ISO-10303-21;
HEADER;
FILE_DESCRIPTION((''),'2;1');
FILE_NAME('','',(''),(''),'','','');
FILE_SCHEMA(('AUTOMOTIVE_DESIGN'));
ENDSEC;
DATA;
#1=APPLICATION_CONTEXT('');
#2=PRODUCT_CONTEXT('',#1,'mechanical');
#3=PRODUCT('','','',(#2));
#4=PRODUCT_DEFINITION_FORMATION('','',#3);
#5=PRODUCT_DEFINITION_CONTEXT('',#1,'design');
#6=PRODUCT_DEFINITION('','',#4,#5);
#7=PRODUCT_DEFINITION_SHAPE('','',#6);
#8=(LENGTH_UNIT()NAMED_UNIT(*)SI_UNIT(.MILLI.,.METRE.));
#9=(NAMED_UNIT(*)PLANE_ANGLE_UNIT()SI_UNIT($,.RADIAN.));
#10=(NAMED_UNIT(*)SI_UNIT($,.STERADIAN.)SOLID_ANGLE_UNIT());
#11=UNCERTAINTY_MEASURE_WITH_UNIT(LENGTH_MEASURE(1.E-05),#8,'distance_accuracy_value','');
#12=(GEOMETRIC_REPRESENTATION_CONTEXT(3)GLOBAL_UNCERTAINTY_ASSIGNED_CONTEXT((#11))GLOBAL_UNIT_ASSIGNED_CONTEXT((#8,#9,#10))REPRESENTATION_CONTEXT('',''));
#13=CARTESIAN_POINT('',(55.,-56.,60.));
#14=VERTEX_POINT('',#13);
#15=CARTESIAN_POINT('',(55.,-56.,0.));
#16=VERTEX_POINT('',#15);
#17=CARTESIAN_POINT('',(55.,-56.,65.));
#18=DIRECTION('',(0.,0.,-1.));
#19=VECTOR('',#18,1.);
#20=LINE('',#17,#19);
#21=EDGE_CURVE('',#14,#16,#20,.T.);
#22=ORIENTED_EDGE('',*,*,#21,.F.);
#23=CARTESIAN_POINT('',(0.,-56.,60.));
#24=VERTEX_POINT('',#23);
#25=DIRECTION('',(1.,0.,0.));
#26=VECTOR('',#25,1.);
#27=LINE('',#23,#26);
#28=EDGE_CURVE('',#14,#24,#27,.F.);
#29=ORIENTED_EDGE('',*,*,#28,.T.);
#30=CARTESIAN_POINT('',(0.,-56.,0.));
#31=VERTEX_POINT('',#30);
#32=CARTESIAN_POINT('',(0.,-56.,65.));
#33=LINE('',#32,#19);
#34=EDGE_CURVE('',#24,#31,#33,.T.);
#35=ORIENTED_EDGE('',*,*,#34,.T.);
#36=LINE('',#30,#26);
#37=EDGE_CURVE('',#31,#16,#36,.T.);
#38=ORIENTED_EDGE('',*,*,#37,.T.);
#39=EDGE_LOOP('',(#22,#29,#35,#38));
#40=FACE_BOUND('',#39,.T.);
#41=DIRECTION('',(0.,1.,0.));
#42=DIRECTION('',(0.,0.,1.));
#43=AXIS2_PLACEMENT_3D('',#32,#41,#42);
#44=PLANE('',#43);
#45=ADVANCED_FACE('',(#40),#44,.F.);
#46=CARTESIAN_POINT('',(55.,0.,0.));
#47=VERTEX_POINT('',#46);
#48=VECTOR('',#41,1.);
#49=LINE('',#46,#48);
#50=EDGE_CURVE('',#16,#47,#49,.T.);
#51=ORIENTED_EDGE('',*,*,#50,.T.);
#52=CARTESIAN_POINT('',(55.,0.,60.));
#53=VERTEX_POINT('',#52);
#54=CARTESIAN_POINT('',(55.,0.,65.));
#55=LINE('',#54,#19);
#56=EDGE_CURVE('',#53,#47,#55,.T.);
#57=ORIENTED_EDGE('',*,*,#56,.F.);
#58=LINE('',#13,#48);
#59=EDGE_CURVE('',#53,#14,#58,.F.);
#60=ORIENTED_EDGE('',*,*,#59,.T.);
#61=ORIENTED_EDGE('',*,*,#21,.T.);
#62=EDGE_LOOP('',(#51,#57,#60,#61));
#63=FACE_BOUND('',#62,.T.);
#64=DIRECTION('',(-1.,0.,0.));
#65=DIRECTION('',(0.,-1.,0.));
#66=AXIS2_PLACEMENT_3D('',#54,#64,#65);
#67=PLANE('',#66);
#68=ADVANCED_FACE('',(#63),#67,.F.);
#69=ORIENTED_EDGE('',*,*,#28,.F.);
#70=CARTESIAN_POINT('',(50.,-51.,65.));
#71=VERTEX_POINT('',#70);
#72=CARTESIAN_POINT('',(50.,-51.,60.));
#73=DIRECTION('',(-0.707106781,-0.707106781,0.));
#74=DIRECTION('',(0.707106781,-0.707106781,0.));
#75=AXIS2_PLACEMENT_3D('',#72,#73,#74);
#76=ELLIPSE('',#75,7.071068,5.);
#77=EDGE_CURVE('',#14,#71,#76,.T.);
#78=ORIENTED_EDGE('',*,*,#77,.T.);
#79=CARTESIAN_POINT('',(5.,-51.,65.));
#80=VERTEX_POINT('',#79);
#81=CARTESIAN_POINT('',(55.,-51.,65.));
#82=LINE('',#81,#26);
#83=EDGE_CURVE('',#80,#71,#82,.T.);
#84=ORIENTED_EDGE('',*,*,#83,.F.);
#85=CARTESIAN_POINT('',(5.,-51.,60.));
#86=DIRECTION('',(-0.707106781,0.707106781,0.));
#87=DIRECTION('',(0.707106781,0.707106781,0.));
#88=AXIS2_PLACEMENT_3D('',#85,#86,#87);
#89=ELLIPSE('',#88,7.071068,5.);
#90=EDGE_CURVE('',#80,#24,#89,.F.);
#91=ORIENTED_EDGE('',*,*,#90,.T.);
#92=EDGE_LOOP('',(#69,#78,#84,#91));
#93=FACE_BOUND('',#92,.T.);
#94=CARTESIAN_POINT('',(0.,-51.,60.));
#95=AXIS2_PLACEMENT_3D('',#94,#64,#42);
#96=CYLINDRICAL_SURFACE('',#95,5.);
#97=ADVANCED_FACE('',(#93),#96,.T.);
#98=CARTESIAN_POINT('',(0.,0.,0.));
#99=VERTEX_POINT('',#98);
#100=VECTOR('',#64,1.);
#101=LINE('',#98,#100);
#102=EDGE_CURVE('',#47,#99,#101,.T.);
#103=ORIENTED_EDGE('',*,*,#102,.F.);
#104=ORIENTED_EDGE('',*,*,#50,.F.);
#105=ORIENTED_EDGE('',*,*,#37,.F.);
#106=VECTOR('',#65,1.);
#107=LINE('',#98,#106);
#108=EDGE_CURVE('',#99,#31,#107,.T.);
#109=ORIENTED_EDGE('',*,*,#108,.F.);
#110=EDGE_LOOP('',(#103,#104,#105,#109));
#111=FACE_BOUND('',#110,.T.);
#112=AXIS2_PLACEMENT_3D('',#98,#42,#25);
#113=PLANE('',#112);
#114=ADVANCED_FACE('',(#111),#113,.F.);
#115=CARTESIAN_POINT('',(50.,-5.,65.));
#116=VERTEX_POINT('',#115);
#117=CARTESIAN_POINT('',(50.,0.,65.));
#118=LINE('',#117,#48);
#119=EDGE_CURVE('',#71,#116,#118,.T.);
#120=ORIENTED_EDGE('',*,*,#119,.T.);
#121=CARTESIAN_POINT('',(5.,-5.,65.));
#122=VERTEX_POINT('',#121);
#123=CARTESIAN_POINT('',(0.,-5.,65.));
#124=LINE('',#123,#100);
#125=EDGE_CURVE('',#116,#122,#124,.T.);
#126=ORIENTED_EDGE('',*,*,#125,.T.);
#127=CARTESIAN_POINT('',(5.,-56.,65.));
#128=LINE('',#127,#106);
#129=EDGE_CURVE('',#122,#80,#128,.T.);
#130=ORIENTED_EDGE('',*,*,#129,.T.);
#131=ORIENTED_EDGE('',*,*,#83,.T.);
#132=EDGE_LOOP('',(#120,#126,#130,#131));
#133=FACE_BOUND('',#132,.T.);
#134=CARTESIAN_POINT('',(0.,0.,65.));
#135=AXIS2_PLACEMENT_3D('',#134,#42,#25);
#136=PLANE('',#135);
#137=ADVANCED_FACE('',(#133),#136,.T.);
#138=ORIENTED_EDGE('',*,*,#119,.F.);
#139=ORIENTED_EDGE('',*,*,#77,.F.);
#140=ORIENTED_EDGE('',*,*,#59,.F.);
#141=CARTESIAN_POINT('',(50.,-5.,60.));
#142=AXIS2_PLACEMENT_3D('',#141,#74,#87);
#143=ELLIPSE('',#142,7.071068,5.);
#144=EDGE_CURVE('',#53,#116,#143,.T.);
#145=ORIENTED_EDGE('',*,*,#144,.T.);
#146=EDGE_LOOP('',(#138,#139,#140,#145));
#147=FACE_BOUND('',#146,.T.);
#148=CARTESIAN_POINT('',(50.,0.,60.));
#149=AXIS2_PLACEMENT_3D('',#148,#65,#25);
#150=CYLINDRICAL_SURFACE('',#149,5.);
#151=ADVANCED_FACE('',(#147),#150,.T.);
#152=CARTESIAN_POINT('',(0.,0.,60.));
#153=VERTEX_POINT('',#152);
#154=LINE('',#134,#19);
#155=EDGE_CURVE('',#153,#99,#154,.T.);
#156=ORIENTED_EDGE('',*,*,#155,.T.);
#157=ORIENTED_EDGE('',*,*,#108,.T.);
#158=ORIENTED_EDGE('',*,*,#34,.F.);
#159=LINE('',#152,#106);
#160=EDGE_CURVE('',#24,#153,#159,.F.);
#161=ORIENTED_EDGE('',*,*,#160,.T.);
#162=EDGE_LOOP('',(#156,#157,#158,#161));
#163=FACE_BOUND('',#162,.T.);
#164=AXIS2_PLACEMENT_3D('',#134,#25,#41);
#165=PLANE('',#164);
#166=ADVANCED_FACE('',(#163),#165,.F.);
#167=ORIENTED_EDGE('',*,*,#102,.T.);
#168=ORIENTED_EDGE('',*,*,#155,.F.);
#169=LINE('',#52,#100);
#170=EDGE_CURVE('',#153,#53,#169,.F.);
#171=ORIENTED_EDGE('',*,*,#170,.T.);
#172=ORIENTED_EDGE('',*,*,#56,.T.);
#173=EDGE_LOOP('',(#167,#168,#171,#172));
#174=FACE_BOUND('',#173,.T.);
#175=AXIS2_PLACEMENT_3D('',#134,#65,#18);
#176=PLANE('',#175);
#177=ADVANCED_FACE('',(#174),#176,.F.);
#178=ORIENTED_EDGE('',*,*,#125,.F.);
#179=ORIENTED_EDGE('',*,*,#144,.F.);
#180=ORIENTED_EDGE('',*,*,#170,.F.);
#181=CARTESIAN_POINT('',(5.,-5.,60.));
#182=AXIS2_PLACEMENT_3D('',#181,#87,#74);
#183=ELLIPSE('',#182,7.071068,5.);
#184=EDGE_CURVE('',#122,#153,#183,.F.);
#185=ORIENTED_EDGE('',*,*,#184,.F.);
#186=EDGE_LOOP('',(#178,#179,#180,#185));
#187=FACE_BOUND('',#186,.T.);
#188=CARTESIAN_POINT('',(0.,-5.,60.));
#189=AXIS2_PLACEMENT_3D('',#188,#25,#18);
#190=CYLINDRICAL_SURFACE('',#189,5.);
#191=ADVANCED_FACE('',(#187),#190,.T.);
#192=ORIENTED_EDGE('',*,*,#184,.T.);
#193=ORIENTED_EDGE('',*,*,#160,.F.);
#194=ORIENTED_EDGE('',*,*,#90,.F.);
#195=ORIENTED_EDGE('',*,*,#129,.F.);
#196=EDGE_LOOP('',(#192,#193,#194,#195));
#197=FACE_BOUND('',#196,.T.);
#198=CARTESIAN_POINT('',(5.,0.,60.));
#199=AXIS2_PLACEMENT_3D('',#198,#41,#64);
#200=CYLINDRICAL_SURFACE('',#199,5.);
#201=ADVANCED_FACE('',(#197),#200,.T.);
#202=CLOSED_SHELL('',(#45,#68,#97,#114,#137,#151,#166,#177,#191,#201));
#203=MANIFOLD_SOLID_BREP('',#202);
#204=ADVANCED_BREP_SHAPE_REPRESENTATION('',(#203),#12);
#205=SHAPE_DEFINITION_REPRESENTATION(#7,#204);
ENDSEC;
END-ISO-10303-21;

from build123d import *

# Parameters (mm, degrees)
SKETCH_1_W      = 55
SKETCH_1_H      = 56
EXTRUDE_1_DEPTH = 65
FILLET_1_R      = 5


with BuildPart() as part:
    # 草图1 → 凸台-拉伸1 (new body)
    with BuildSketch(Plane.XY):
        with Locations((27.5, -28)):
            Rectangle(SKETCH_1_W, SKETCH_1_H)
    extrude(amount=EXTRUDE_1_DEPTH)

    # 圆角1
    fillet_1_edges = [part.edges().sort_by_distance(p)[0] for p in [
        (55, -28, 65),
        (27.5, 0, 65),
        (0, -28, 65),
        (27.5, -56, 65),
    ]]
    fillet(fillet_1_edges, radius=FILLET_1_R)


solid = part.part
